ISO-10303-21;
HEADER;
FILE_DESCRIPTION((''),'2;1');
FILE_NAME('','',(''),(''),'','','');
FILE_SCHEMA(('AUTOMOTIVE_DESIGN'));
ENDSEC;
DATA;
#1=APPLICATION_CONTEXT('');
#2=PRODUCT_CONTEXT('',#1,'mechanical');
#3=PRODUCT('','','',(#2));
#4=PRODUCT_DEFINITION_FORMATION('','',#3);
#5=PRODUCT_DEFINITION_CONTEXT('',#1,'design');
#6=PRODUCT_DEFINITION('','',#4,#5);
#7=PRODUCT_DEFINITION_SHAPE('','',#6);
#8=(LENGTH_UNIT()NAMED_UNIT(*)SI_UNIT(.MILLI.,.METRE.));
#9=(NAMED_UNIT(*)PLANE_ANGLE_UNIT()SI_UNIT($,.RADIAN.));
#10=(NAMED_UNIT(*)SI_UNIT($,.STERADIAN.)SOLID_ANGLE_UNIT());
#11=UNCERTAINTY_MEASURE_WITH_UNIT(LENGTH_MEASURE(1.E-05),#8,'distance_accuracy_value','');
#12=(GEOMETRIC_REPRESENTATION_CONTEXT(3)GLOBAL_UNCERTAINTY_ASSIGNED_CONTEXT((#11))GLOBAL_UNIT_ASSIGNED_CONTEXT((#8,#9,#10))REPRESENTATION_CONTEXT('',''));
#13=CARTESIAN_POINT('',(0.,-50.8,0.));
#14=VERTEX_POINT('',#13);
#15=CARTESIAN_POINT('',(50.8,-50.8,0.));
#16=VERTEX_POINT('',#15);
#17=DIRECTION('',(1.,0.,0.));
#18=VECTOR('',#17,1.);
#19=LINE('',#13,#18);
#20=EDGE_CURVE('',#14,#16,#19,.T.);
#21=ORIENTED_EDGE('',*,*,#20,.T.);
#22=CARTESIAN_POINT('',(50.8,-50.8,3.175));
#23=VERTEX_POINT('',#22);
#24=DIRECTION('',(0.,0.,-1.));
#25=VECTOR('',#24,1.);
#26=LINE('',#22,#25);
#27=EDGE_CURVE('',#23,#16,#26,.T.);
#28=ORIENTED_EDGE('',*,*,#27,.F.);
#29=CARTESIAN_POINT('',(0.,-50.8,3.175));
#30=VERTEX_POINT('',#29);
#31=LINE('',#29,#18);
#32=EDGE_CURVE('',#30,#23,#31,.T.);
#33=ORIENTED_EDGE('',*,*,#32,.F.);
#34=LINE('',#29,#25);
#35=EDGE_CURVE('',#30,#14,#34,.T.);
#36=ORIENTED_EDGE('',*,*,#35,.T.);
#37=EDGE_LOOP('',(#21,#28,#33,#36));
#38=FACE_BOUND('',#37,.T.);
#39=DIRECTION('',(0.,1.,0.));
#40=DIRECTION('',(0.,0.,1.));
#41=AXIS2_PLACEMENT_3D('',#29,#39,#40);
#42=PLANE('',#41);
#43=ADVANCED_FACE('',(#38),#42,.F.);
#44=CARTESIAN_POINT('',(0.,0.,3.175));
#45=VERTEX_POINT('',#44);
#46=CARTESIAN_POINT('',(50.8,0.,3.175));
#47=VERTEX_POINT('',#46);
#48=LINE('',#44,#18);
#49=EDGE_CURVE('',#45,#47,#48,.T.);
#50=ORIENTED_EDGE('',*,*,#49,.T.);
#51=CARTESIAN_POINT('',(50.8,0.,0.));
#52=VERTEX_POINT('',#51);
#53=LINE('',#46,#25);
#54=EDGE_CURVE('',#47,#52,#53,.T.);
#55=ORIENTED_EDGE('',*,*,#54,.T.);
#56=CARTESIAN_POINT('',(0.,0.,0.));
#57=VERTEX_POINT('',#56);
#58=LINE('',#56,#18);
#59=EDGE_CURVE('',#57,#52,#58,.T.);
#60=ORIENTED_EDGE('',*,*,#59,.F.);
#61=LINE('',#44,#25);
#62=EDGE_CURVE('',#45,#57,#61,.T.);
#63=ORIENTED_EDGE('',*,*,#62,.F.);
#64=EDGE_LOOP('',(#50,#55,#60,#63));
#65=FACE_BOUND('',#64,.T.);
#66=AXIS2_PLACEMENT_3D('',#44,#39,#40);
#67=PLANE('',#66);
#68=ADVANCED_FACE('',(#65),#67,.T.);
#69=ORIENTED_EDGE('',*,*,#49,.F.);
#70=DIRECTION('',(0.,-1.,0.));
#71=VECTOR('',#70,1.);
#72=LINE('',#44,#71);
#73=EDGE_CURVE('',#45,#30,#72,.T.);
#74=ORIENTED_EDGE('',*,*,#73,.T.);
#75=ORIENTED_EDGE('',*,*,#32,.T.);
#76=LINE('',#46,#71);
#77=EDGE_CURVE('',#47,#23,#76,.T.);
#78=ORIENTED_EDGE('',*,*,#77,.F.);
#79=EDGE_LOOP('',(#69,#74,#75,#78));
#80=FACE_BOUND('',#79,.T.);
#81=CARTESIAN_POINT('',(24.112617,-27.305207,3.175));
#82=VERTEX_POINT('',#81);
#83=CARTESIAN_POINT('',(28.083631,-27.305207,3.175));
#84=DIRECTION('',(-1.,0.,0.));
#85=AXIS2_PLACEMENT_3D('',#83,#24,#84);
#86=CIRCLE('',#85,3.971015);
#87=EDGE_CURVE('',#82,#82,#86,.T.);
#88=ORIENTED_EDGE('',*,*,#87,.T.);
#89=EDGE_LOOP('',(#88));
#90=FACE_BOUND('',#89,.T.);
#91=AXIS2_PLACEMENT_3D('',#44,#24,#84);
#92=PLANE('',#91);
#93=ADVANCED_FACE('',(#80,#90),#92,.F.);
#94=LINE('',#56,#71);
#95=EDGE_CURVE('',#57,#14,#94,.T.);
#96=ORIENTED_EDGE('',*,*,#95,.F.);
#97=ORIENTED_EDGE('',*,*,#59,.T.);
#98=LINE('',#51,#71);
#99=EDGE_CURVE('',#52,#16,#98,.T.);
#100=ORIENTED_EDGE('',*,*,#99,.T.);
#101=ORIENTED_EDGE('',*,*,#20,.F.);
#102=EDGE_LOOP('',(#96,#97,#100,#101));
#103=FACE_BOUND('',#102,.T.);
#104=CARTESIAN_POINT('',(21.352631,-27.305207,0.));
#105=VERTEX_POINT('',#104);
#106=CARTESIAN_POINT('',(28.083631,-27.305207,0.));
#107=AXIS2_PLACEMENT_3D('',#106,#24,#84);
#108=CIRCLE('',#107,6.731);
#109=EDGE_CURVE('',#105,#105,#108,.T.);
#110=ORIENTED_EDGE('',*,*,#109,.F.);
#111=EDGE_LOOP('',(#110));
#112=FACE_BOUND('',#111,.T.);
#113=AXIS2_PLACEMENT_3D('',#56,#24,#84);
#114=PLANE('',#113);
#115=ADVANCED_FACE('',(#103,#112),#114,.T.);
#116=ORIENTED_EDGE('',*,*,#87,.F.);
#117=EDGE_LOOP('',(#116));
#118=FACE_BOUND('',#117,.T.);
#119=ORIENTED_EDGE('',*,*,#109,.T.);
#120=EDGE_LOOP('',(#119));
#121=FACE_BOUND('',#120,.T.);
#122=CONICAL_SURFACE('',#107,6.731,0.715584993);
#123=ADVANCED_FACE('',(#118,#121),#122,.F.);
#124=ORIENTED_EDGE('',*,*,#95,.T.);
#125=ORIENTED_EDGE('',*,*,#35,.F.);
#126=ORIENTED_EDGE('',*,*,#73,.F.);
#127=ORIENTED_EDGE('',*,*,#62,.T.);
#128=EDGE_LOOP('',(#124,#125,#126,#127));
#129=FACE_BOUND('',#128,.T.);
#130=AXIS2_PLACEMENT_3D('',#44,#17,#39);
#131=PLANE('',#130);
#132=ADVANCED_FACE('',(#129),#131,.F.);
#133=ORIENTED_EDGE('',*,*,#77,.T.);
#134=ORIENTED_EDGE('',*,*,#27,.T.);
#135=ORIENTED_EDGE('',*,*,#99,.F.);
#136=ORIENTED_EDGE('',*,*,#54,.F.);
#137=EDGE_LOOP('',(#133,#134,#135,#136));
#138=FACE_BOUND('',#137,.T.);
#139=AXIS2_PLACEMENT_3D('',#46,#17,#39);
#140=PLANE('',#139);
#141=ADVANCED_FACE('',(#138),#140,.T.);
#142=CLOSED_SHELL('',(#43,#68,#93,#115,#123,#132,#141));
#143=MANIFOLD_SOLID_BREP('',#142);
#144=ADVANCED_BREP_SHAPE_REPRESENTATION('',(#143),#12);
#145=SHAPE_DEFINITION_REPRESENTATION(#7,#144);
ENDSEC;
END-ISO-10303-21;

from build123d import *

# Parameters (mm, degrees)
SKETCH1_W           = 50.8
SKETCH1_H           = 50.8
BOSS_EXTRUDE2_DEPTH = 3.175


with BuildPart() as part:
    # Sketch1 → Boss-Extrude2 (new body)
    with BuildSketch(Plane.XY):
        with Locations((25.4, -25.4)):
            Rectangle(SKETCH1_W, SKETCH1_H)
    extrude(amount=BOSS_EXTRUDE2_DEPTH)

    # Sketch2 → 1/4 (0.25) Diameter Hole1 (revolve, cut)
    with BuildSketch(Plane(origin=(28.083631343, -27.305207035, 0), x_dir=(0, 1, 0), z_dir=(1, 0, 0))):
        Polygon((0, 0), (0, 3.175), (3.175, 3.175), (3.175, 4.090710056), (6.731, 0), align=None)
    revolve(axis=Axis((28.083631343, -27.305207035, -6.35), (0, 0, 1)), mode=Mode.SUBTRACT)


solid = part.part
